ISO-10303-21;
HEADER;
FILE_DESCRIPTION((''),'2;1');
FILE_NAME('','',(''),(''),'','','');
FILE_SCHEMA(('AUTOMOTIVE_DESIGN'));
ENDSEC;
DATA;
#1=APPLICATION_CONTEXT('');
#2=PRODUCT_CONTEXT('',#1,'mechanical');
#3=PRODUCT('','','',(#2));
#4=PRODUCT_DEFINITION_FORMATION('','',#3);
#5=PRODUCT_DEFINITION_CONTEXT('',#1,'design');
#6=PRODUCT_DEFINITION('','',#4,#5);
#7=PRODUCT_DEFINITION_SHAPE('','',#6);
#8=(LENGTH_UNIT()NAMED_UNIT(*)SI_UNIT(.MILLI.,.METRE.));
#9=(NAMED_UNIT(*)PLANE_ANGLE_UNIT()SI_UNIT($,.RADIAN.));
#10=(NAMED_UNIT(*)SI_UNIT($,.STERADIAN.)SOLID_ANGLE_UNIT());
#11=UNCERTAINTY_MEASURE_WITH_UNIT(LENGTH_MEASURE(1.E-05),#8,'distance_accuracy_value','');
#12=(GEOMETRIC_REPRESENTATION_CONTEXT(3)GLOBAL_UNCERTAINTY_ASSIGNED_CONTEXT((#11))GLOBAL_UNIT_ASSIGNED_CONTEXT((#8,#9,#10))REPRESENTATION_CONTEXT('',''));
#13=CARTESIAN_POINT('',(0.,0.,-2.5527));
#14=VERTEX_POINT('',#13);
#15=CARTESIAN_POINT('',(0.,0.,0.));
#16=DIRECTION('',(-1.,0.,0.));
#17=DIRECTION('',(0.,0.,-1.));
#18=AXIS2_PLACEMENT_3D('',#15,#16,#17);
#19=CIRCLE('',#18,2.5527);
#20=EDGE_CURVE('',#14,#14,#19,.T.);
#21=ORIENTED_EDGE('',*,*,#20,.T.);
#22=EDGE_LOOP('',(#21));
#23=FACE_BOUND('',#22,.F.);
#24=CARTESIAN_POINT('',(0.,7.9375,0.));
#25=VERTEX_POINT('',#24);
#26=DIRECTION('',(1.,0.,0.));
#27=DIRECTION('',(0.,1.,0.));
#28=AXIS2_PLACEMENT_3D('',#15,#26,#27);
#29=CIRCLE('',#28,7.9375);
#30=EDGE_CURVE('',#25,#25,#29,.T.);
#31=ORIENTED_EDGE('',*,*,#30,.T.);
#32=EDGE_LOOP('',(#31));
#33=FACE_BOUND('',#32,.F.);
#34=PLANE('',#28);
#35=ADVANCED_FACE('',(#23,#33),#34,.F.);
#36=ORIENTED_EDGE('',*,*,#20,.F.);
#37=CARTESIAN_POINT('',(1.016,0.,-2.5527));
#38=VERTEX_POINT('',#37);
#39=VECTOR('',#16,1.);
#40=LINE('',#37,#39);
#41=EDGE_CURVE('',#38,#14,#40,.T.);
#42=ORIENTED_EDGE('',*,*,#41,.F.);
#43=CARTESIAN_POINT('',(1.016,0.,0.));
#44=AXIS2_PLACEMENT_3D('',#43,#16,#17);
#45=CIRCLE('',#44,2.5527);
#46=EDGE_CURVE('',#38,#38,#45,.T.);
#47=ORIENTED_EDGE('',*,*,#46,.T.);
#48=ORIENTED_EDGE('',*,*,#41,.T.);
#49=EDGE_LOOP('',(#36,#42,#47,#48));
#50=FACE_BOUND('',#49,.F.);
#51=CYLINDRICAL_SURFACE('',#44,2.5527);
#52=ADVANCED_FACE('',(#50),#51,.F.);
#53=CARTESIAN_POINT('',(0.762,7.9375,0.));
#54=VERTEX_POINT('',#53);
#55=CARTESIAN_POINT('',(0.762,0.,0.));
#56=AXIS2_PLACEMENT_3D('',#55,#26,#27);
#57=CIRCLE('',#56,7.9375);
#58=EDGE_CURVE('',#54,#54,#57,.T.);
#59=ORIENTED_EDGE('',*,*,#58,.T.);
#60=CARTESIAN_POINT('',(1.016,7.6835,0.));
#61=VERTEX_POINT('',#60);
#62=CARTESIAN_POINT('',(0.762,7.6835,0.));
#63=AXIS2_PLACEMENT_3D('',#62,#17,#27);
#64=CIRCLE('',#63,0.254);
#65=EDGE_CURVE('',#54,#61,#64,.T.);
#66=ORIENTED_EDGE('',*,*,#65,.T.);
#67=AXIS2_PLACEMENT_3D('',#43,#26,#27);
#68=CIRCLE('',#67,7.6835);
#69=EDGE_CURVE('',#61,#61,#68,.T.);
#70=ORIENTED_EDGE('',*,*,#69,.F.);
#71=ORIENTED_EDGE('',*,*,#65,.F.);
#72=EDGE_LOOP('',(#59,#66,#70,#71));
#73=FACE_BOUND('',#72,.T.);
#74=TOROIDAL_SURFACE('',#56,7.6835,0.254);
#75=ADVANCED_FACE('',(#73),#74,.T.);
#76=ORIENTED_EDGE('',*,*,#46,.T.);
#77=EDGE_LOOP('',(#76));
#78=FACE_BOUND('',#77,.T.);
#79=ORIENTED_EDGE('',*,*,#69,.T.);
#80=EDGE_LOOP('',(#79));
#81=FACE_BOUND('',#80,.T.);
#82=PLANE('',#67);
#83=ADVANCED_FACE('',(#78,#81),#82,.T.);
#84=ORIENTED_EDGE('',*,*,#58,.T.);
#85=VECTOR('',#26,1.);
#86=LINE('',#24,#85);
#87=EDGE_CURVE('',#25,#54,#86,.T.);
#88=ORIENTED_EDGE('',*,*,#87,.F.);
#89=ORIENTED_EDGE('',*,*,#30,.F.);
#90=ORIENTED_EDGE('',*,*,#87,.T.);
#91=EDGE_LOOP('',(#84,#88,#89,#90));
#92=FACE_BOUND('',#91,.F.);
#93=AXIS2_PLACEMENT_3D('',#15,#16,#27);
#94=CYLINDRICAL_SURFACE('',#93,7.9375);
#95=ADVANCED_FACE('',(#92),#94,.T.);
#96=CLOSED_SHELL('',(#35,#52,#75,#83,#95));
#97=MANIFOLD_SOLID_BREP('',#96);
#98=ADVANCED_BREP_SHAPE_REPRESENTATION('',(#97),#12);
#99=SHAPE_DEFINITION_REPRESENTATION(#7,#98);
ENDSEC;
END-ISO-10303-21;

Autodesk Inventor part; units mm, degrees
ref_plane "YZ Plane" through (0, 0, 0) normal (1, 0, 0) x (0, 1, 0)
ref_plane "XZ Plane" through (0, 0, 0) normal (0, 1, 0) x (-1, 0, 0)
ref_plane "XY Plane" through (0, 0, 0) normal (0, 0, 1) x (1, 0, 0)
sketch "Sketch1" plane through (0, 0, 0) normal (1, 0, 0) x (0, 1, 0)
  circle A0 centre (0, 0) radius 7.9375
  dimension "d0" = 15.875
extrude "Extrusion1" add sketch "Sketch1" along normal blind 1.016
sketch "Sketch2" plane through (1.016, 0, 0) normal (1, 0, 0) x (0, 0, -1)
  point P0 (0, 0)
  point P1 (0, 0)
hole "Hole1" at (1.016, 0, 0) direction (-1, 0, 0) diameter 5.1054 end through all clearance for "Flat Head Machine Screw (82)" size "#10" standard "Ansi Unified Screw Threads"
fillet "Fillet1" radius 0.254 1 edges at (1.016, -7.9375, 0)
properties part number "PURCHASED,WASHER" material "Steel, Alloy"
